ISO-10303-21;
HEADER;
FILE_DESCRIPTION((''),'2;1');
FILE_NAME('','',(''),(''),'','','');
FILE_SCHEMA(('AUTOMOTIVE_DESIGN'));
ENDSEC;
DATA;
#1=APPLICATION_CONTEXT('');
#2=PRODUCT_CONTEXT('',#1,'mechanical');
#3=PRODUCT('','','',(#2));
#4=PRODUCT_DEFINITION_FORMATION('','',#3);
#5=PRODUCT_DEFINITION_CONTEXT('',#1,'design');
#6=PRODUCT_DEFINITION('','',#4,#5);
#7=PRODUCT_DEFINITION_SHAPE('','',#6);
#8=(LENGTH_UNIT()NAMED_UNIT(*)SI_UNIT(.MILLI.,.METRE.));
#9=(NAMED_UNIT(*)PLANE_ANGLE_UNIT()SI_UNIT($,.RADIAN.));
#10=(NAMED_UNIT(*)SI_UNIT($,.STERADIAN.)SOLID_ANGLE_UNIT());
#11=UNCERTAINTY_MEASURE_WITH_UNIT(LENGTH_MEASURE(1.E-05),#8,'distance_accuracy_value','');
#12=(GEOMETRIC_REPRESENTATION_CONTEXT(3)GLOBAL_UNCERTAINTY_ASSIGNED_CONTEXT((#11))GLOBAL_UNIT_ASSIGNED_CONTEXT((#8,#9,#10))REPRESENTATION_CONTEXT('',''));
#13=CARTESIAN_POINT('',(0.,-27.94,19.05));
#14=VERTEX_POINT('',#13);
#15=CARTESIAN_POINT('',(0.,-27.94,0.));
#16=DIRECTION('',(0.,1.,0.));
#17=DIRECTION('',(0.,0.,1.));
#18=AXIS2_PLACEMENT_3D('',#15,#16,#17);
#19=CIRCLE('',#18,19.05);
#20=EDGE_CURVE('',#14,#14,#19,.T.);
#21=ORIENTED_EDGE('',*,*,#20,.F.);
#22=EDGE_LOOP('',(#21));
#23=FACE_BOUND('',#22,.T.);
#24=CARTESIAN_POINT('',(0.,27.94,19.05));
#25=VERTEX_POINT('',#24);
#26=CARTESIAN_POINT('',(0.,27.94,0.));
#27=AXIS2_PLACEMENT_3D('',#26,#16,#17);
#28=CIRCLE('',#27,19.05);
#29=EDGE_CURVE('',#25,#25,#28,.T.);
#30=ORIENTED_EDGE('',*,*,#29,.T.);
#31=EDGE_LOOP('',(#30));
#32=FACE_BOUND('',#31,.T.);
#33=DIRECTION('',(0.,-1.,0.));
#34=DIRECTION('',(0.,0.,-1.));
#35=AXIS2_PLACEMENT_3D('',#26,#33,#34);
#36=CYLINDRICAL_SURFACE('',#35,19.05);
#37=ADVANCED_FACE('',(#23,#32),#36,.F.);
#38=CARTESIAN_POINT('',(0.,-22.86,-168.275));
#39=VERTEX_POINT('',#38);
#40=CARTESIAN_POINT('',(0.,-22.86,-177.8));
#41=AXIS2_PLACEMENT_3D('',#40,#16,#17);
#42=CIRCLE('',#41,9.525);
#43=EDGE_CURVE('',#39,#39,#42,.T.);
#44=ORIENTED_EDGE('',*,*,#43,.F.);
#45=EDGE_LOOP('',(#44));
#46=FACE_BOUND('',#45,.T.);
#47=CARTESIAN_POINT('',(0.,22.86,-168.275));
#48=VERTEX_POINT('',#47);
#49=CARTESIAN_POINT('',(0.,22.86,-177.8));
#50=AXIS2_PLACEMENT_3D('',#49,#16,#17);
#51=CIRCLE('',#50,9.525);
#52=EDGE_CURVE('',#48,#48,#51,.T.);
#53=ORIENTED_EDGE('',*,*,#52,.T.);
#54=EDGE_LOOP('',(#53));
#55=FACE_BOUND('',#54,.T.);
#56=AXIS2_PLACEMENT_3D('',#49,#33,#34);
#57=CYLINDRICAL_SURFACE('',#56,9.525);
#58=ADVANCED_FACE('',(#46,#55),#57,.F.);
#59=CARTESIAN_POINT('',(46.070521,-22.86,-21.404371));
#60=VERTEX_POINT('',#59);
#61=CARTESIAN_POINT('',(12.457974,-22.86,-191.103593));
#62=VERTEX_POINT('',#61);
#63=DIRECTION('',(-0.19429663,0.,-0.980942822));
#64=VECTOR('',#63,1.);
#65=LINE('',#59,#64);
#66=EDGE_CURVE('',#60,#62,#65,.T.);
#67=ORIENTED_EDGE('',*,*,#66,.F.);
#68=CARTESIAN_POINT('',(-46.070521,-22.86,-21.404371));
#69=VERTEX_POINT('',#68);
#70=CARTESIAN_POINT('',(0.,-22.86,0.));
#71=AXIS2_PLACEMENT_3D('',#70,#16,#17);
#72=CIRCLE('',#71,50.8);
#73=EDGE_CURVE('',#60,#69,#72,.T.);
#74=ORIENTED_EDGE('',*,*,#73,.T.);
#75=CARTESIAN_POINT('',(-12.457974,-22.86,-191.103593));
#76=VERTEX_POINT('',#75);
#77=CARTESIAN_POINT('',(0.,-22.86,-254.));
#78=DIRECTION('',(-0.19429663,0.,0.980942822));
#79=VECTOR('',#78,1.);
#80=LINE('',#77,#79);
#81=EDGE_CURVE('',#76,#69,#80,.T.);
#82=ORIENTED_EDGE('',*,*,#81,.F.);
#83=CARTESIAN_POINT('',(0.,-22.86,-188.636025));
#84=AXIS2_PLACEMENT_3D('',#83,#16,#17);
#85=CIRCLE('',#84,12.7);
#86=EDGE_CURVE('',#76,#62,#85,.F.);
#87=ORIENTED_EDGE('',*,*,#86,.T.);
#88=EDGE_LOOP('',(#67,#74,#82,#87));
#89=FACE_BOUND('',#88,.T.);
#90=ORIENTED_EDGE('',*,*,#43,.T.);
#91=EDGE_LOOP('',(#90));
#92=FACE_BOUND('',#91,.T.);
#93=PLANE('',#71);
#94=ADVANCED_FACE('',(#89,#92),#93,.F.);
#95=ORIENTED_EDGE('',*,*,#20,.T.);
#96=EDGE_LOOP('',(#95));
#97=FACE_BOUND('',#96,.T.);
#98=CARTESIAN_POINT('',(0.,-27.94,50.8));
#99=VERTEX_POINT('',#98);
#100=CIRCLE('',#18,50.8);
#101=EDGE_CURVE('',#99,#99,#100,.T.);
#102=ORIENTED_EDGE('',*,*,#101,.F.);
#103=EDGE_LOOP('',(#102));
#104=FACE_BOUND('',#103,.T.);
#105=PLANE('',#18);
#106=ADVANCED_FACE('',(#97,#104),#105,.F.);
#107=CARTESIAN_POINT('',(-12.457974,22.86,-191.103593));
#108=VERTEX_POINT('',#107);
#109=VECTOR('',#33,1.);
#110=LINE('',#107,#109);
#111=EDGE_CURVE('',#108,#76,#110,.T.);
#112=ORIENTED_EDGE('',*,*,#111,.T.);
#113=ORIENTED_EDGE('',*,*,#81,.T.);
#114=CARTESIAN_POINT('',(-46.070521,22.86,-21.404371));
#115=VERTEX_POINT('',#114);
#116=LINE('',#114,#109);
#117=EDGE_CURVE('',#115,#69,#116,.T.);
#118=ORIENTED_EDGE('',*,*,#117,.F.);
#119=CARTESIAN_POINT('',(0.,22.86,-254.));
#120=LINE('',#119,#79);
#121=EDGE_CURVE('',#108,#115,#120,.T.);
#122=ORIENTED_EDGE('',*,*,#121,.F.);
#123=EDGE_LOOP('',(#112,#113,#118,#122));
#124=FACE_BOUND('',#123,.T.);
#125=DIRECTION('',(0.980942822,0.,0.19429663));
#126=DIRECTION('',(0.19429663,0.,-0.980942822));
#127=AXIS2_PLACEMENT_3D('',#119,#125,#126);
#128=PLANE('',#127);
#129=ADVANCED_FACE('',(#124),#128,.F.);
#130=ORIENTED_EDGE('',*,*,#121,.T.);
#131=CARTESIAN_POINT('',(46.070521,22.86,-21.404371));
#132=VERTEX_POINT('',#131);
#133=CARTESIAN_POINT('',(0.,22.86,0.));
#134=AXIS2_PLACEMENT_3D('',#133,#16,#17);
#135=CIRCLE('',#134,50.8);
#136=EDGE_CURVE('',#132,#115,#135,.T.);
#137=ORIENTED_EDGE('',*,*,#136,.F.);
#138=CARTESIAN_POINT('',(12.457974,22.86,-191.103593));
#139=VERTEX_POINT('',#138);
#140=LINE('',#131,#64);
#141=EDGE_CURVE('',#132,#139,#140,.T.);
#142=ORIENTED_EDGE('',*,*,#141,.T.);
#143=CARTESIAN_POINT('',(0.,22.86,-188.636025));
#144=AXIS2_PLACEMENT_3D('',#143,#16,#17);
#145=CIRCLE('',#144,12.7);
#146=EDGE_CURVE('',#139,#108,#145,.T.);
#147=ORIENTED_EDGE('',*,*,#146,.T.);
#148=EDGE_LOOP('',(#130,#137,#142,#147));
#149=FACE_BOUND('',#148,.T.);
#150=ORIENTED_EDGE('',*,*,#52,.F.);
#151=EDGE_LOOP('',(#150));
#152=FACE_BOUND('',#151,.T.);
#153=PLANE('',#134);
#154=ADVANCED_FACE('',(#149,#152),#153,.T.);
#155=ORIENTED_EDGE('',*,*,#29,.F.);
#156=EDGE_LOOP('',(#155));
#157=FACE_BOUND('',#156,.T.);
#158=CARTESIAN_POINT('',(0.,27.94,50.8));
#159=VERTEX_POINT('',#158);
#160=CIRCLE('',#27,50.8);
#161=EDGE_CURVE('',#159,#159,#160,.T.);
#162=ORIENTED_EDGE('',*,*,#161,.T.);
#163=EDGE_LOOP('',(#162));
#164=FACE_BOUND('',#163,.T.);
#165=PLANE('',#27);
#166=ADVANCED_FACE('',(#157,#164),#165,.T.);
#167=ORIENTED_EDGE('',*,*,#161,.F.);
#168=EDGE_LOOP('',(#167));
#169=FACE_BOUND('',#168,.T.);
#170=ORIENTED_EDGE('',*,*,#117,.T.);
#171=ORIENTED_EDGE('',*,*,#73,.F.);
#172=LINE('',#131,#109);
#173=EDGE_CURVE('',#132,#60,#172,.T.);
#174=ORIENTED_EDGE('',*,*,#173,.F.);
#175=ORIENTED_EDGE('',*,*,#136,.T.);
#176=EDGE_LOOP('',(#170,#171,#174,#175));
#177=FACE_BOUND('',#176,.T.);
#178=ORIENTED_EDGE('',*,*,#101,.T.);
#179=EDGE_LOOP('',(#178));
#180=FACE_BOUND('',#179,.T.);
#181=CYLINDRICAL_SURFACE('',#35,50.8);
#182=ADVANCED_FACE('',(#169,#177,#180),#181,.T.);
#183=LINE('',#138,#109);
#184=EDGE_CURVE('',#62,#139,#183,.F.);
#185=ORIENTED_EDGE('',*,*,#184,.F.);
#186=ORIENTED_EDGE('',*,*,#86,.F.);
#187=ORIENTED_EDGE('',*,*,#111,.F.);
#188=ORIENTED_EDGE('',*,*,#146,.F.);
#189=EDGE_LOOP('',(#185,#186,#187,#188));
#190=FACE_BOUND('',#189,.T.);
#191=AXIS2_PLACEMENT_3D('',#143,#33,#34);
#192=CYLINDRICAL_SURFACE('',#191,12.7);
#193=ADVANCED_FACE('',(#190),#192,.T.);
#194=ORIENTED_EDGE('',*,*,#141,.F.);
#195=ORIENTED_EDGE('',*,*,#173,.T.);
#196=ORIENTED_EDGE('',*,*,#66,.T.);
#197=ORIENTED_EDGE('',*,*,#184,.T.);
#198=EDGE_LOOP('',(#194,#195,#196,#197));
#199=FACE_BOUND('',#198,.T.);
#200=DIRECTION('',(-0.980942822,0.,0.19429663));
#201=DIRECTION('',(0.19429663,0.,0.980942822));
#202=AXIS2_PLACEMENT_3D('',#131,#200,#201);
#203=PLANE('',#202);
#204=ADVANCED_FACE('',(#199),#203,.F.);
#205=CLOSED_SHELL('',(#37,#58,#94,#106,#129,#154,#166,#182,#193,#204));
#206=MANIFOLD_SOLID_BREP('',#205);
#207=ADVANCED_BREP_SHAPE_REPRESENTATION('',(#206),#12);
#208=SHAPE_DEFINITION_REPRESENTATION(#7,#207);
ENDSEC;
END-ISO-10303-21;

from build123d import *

# Parameters (mm, degrees)
SKETCH1_R           = 50.8
SKETCH1_R_2         = 19.05
BOSS_EXTRUDE1_DEPTH = 27.94
SKETCH3_R           = 9.525
BOSS_EXTRUDE3_DEPTH = 22.86
FILLET1_R           = 12.7


with BuildPart() as part:
    # Sketch1 → Boss-Extrude1 (new, symmetric)
    with BuildSketch(Plane(origin=(0, 0, 0), x_dir=(1, 0, 0), z_dir=(0, 1, 0))):
        with Locations(Location((0, 0, 0), (0, 0, 270))):
            Circle(SKETCH1_R)
        with Locations(Location((0, 0, 0), (0, 0, 270))):
            Circle(SKETCH1_R_2, mode=Mode.SUBTRACT)
    extrude(amount=BOSS_EXTRUDE1_DEPTH, both=True)

    # Sketch3 → Boss-Extrude3 (add, symmetric)
    with BuildSketch(Plane(origin=(0, 0, 0), x_dir=(1, 0, 0), z_dir=(0, 1, 0))):
        Polygon((-46.070521031, 21.404370862), (46.070521031, 21.404370862), (0, 254), align=None)
        with Locations(Location((0, 177.8, 0), (0, 0, 270))):
            Circle(SKETCH3_R, mode=Mode.SUBTRACT)
    extrude(amount=BOSS_EXTRUDE3_DEPTH, both=True)

    # Fillet1
    fillet1_edges = [part.edges().sort_by_distance(p)[0] for p in [
        (0, 0, -254),
    ]]
    fillet(fillet1_edges, radius=FILLET1_R)


solid = part.part
